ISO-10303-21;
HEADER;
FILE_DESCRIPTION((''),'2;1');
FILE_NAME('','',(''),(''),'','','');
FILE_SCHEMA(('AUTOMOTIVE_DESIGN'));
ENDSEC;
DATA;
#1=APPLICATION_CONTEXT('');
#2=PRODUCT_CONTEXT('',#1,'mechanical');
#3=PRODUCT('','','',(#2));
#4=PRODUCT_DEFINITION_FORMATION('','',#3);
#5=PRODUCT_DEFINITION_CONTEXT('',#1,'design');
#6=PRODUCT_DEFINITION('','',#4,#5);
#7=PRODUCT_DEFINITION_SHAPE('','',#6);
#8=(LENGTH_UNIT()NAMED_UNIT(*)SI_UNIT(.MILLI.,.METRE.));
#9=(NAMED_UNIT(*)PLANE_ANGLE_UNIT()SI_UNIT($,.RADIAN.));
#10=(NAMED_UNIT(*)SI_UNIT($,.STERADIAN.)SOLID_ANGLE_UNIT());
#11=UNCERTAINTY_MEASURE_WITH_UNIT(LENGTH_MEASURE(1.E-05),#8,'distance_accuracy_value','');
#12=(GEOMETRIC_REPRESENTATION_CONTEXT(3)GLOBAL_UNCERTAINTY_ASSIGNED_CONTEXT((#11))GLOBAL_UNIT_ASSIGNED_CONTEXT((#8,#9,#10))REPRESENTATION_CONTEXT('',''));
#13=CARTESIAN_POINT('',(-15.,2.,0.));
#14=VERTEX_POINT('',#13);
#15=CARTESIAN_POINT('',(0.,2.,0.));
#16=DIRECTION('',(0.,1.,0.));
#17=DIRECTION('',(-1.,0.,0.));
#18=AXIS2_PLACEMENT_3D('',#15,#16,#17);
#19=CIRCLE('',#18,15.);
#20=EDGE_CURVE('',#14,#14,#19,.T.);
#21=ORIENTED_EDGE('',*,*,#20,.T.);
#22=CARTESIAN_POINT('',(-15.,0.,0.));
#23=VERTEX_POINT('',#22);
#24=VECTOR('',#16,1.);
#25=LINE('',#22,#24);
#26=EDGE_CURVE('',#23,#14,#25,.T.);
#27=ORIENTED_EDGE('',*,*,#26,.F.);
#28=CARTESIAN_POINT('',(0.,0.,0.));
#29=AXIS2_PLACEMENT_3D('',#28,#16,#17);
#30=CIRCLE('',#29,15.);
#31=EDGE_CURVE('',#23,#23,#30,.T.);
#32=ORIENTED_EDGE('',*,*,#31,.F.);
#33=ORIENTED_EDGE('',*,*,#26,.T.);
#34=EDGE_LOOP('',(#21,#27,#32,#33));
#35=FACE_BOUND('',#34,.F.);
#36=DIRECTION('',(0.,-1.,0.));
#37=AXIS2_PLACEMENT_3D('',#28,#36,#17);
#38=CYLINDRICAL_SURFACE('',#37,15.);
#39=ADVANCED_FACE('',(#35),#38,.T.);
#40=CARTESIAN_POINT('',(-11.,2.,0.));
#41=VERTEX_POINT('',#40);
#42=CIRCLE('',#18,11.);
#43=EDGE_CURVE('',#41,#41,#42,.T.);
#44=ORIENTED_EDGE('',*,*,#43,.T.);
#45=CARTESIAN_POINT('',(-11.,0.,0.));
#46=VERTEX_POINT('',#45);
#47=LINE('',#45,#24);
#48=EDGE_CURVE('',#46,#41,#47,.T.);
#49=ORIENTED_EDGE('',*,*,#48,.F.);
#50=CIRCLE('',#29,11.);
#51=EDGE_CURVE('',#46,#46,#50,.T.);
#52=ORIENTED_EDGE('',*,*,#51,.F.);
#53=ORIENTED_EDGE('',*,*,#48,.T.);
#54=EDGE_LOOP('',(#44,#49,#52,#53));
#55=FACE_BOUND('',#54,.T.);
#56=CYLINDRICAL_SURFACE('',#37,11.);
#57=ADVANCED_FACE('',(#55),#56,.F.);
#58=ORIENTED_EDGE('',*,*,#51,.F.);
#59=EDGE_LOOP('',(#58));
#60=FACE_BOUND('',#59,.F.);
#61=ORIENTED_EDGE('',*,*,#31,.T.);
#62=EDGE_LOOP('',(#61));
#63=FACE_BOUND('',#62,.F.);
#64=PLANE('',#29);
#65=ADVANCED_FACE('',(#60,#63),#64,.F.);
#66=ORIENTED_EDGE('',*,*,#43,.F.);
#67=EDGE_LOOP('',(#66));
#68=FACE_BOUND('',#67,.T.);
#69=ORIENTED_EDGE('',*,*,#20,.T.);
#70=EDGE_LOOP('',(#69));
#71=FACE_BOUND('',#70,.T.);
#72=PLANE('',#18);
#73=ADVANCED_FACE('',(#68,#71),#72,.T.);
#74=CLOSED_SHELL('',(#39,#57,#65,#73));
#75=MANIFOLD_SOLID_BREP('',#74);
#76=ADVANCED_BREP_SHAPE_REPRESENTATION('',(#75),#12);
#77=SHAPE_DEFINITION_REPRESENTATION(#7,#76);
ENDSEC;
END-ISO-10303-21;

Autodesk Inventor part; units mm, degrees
ref_plane "YZ Plane" through (0, 0, 0) normal (1, 0, 0) x (0, 1, 0)
ref_plane "XZ Plane" through (0, 0, 0) normal (0, 1, 0) x (-1, 0, 0)
ref_plane "XY Plane" through (0, 0, 0) normal (0, 0, 1) x (1, 0, 0)
sketch "スケッチ1" plane through (0, 0, 0) normal (0, 1, 0) x (-1, 0, 0)
  circle A0 centre (0, 0) radius 11
  circle A1 centre (0, 0) radius 15
  dimension "d0" = 22
  dimension "d1" = 30
extrude "押し出し1" add sketch "スケッチ1" along normal blind 2
properties part number "spacer_small"
